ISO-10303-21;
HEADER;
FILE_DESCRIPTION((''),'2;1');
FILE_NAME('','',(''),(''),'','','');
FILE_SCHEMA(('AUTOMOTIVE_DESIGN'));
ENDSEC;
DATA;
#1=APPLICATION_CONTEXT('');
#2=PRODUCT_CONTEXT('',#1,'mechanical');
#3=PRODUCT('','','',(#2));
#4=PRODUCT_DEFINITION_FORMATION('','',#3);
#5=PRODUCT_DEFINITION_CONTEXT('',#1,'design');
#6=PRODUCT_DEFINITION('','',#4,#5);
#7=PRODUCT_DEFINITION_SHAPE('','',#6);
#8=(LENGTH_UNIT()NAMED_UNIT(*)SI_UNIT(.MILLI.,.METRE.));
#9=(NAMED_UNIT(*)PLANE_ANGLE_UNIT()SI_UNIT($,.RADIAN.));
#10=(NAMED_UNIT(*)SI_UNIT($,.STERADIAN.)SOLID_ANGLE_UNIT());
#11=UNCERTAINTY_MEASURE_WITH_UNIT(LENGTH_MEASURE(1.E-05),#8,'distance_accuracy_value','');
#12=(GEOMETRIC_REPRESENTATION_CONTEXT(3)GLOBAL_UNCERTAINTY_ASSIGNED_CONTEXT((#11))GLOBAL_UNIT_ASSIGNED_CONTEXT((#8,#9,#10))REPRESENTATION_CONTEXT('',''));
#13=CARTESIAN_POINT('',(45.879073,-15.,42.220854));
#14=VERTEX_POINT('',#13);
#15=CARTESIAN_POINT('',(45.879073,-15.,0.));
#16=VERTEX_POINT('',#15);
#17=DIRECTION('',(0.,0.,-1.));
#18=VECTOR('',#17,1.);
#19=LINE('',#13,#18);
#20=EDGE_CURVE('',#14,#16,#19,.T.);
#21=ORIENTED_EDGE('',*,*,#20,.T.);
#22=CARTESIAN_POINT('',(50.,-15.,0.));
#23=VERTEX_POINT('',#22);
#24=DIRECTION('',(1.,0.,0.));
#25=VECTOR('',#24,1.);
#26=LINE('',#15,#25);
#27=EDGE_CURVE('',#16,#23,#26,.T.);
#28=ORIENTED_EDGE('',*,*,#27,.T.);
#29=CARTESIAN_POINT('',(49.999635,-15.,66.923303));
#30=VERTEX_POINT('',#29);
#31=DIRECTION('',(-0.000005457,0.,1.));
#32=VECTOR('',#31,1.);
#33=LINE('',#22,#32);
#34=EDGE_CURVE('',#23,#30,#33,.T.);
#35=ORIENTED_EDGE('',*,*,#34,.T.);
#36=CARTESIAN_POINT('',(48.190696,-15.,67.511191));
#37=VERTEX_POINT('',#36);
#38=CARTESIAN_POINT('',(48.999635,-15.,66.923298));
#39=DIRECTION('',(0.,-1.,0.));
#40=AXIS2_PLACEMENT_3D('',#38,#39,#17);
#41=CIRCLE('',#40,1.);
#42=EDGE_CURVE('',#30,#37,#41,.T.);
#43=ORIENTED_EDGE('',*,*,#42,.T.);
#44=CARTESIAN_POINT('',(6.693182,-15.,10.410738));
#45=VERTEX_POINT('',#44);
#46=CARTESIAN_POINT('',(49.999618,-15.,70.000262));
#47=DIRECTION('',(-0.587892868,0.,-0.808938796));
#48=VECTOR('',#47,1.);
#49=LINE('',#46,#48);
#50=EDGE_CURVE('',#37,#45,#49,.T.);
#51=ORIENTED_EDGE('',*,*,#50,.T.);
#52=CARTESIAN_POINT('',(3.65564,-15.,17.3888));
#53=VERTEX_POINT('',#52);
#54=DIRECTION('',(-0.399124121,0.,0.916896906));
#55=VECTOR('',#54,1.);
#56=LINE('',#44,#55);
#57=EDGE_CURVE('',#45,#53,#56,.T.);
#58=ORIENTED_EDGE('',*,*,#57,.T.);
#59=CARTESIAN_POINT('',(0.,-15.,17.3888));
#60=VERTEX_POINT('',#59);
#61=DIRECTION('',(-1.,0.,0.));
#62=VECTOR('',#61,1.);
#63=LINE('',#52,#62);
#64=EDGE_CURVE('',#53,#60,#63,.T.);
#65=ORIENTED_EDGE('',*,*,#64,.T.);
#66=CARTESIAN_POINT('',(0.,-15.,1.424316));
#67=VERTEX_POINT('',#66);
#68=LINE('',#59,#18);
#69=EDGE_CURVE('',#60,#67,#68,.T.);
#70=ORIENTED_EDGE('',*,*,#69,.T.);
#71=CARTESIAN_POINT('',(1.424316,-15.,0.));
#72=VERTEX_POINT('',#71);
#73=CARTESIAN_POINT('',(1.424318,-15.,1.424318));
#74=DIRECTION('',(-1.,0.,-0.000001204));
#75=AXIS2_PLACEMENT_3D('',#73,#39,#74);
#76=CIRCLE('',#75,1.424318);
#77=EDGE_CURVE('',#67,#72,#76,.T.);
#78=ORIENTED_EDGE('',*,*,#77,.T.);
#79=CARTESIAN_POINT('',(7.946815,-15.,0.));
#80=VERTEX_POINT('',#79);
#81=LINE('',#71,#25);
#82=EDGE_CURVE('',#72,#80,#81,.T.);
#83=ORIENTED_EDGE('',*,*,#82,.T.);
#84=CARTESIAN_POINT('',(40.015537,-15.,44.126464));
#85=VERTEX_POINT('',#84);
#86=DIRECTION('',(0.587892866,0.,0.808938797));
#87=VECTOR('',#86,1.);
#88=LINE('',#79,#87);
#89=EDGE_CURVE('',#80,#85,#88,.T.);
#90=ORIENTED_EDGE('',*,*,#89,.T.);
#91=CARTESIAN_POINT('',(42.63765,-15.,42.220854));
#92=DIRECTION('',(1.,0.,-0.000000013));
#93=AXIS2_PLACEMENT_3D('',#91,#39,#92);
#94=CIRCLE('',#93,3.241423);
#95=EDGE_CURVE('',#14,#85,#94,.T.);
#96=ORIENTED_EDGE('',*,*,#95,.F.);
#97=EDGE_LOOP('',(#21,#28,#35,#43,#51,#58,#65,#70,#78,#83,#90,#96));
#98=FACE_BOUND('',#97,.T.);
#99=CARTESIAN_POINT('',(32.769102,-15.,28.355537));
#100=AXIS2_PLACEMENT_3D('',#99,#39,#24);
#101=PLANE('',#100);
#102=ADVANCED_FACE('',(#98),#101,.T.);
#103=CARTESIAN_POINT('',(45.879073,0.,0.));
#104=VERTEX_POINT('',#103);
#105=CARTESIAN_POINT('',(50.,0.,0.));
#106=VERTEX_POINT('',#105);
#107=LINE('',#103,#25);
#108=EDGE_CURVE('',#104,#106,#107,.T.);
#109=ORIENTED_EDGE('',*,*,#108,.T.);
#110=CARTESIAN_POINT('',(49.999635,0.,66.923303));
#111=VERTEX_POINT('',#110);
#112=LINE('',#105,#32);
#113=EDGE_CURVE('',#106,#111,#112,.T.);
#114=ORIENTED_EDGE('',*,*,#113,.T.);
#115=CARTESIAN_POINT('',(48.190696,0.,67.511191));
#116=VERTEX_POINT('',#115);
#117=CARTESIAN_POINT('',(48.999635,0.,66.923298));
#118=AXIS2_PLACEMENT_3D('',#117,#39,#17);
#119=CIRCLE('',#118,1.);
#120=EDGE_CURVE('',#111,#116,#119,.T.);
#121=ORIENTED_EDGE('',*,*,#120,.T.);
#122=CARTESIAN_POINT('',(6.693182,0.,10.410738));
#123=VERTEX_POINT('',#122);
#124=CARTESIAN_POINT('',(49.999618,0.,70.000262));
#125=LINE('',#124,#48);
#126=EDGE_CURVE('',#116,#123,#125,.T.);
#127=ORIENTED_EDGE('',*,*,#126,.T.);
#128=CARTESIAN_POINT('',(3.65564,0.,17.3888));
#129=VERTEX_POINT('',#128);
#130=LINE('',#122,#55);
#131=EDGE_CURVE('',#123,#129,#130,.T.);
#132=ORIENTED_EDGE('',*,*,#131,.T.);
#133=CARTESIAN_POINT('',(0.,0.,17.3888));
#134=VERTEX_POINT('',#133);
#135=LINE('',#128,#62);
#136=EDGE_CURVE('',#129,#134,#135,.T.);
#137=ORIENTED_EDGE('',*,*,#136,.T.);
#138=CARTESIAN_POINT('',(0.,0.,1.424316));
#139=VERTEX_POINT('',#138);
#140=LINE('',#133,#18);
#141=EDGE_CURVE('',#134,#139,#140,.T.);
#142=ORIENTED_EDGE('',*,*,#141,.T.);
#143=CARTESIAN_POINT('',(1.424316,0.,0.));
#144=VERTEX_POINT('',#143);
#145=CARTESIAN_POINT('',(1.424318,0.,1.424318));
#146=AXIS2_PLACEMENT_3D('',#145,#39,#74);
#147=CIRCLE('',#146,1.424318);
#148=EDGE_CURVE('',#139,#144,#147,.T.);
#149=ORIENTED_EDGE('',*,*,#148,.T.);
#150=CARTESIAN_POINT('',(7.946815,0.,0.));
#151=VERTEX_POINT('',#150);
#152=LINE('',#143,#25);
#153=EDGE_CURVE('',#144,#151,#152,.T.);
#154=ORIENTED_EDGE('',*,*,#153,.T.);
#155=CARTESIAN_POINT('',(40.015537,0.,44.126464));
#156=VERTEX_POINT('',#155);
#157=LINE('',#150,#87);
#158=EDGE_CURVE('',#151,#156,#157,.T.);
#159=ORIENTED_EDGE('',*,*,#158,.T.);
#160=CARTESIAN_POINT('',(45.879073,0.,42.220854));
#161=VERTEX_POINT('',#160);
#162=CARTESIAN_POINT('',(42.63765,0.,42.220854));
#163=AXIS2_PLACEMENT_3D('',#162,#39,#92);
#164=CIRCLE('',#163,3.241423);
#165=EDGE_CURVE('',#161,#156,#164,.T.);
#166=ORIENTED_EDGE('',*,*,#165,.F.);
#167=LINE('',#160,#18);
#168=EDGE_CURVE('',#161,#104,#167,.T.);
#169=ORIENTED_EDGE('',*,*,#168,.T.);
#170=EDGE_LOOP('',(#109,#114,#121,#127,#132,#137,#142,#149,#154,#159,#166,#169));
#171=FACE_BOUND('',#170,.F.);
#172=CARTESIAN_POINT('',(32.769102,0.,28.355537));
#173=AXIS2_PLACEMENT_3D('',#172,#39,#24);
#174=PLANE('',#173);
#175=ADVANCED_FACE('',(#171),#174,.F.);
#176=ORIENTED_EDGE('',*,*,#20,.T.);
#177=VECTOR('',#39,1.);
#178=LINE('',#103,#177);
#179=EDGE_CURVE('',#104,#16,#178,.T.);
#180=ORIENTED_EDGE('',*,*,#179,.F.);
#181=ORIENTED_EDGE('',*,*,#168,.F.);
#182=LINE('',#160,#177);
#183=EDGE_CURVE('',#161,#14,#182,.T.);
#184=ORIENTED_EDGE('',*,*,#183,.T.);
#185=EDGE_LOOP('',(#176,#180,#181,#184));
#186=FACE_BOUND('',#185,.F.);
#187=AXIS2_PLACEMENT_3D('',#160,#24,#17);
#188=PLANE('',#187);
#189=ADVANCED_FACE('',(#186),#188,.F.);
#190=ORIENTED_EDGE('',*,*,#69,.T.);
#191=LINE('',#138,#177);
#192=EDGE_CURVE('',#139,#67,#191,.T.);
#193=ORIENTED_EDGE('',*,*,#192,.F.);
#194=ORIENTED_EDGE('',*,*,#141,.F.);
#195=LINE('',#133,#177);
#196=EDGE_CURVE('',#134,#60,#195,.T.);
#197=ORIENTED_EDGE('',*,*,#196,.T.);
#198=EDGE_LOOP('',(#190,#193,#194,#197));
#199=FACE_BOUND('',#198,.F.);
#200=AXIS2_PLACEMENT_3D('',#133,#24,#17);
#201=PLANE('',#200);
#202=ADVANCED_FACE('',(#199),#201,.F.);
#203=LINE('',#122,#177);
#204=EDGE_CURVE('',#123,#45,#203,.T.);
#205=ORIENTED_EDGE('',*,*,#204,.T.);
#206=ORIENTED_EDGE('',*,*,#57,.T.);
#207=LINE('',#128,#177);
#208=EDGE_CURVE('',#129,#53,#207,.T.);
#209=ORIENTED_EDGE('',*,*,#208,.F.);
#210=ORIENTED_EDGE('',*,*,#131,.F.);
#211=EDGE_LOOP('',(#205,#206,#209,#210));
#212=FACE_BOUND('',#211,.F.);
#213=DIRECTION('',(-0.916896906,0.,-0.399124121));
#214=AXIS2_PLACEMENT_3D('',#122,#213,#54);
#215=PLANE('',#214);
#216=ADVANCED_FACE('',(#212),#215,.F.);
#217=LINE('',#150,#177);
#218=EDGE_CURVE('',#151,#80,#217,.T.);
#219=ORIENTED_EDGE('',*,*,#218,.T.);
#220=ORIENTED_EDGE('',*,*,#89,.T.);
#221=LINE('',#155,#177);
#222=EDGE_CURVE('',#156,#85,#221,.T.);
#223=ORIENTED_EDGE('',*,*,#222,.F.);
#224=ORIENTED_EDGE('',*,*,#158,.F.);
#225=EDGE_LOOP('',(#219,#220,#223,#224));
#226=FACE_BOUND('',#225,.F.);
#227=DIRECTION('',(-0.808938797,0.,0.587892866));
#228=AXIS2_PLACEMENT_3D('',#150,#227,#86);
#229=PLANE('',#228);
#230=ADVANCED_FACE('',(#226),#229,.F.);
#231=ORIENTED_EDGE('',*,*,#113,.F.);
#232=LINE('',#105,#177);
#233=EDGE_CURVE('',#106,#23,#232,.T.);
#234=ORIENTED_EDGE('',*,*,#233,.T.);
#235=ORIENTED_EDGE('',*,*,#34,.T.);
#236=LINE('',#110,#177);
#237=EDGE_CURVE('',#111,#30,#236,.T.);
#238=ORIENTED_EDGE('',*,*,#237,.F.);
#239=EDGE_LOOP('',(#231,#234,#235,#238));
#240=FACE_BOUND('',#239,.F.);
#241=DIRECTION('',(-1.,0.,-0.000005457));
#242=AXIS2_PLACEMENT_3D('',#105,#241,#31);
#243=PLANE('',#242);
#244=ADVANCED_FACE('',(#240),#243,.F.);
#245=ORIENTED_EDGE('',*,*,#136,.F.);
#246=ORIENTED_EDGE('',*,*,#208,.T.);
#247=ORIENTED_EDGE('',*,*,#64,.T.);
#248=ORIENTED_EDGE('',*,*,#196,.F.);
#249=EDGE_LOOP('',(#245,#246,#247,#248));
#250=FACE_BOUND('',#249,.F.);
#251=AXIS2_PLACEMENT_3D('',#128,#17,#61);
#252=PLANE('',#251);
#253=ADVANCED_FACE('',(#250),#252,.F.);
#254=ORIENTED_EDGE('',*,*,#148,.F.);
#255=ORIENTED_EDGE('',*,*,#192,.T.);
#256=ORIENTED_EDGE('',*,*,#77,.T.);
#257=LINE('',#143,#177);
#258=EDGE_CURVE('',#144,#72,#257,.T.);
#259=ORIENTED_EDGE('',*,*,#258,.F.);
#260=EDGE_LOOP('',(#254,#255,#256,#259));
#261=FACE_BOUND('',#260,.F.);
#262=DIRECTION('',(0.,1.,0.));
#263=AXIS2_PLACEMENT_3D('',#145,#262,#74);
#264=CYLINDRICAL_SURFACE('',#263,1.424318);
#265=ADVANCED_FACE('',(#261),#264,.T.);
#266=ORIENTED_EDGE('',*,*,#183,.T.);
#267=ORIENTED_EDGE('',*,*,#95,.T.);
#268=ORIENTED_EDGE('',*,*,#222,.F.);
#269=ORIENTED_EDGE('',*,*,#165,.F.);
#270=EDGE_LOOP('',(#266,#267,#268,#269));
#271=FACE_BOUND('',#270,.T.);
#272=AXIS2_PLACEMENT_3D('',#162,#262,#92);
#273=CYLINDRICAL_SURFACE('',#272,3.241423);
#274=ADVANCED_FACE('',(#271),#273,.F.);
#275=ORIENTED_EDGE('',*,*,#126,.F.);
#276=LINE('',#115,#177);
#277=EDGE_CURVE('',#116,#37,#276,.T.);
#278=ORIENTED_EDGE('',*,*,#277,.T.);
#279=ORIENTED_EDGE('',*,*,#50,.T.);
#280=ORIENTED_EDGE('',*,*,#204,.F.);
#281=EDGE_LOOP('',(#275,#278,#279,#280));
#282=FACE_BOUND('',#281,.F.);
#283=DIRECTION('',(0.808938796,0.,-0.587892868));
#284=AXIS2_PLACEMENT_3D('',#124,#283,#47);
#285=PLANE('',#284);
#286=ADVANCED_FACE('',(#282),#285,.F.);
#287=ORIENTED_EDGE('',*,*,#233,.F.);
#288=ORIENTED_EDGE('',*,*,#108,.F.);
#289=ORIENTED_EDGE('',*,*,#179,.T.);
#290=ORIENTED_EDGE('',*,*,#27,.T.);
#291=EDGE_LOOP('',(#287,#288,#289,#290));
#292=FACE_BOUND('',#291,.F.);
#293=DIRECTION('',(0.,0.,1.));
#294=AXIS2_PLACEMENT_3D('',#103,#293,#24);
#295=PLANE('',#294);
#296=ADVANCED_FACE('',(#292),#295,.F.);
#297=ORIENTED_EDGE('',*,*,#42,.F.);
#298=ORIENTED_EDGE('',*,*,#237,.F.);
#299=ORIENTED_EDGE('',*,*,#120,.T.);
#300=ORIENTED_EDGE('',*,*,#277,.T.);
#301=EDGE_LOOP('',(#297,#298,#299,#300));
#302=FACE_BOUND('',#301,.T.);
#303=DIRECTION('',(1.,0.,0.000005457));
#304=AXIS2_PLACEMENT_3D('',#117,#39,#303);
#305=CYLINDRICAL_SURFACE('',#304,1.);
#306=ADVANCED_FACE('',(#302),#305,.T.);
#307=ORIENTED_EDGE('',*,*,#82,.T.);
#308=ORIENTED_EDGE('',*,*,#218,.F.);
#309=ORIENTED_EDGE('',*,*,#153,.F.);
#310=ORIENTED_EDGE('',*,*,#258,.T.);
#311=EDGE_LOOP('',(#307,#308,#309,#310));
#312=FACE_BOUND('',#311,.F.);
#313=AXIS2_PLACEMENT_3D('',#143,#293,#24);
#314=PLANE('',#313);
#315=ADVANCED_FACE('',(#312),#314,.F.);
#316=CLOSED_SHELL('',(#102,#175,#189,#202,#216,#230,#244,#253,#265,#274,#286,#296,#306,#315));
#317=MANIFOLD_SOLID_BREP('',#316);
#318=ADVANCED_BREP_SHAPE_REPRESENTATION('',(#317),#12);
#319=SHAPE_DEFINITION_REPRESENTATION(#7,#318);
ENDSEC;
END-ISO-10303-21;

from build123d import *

# Parameters (mm, degrees)
PAD_DEPTH = 15
FILLET_R  = 1


with BuildPart() as part:
    # Sketch (on XZ_Plane of Origin) → Pad (new body)
    with BuildSketch(Plane.XZ):
        with BuildLine():
            Line((50, 0), (49.999618, 70.000262))
            Line((49.999618, 70.000262), (6.693182, 10.410738))
            Line((6.693182, 10.410738), (3.65564, 17.3888))
            Line((3.65564, 17.3888), (0, 17.3888))
            Line((0, 17.3888), (0, 1.424316))
            ThreePointArc((0, 1.424316), (0.417173, 0.417173), (1.424316, 0))
            Line((1.424316, 0), (7.946815, 0))
            Line((7.946815, 0), (40.015537, 44.126464))
            ThreePointArc((45.879073, 42.220854), (43.63951, 45.303564), (40.015537, 44.126464))
            Line((45.879073, 42.220854), (45.879073, 0))
            Line((45.879073, 0), (50, 0))
        make_face()
    extrude(amount=PAD_DEPTH)

    # Fillet
    fillet_edges = [part.edges().sort_by_distance(p)[0] for p in [
        (49.999618, -7.5, 70.000262),
    ]]
    fillet(fillet_edges, radius=FILLET_R)


solid = part.part
